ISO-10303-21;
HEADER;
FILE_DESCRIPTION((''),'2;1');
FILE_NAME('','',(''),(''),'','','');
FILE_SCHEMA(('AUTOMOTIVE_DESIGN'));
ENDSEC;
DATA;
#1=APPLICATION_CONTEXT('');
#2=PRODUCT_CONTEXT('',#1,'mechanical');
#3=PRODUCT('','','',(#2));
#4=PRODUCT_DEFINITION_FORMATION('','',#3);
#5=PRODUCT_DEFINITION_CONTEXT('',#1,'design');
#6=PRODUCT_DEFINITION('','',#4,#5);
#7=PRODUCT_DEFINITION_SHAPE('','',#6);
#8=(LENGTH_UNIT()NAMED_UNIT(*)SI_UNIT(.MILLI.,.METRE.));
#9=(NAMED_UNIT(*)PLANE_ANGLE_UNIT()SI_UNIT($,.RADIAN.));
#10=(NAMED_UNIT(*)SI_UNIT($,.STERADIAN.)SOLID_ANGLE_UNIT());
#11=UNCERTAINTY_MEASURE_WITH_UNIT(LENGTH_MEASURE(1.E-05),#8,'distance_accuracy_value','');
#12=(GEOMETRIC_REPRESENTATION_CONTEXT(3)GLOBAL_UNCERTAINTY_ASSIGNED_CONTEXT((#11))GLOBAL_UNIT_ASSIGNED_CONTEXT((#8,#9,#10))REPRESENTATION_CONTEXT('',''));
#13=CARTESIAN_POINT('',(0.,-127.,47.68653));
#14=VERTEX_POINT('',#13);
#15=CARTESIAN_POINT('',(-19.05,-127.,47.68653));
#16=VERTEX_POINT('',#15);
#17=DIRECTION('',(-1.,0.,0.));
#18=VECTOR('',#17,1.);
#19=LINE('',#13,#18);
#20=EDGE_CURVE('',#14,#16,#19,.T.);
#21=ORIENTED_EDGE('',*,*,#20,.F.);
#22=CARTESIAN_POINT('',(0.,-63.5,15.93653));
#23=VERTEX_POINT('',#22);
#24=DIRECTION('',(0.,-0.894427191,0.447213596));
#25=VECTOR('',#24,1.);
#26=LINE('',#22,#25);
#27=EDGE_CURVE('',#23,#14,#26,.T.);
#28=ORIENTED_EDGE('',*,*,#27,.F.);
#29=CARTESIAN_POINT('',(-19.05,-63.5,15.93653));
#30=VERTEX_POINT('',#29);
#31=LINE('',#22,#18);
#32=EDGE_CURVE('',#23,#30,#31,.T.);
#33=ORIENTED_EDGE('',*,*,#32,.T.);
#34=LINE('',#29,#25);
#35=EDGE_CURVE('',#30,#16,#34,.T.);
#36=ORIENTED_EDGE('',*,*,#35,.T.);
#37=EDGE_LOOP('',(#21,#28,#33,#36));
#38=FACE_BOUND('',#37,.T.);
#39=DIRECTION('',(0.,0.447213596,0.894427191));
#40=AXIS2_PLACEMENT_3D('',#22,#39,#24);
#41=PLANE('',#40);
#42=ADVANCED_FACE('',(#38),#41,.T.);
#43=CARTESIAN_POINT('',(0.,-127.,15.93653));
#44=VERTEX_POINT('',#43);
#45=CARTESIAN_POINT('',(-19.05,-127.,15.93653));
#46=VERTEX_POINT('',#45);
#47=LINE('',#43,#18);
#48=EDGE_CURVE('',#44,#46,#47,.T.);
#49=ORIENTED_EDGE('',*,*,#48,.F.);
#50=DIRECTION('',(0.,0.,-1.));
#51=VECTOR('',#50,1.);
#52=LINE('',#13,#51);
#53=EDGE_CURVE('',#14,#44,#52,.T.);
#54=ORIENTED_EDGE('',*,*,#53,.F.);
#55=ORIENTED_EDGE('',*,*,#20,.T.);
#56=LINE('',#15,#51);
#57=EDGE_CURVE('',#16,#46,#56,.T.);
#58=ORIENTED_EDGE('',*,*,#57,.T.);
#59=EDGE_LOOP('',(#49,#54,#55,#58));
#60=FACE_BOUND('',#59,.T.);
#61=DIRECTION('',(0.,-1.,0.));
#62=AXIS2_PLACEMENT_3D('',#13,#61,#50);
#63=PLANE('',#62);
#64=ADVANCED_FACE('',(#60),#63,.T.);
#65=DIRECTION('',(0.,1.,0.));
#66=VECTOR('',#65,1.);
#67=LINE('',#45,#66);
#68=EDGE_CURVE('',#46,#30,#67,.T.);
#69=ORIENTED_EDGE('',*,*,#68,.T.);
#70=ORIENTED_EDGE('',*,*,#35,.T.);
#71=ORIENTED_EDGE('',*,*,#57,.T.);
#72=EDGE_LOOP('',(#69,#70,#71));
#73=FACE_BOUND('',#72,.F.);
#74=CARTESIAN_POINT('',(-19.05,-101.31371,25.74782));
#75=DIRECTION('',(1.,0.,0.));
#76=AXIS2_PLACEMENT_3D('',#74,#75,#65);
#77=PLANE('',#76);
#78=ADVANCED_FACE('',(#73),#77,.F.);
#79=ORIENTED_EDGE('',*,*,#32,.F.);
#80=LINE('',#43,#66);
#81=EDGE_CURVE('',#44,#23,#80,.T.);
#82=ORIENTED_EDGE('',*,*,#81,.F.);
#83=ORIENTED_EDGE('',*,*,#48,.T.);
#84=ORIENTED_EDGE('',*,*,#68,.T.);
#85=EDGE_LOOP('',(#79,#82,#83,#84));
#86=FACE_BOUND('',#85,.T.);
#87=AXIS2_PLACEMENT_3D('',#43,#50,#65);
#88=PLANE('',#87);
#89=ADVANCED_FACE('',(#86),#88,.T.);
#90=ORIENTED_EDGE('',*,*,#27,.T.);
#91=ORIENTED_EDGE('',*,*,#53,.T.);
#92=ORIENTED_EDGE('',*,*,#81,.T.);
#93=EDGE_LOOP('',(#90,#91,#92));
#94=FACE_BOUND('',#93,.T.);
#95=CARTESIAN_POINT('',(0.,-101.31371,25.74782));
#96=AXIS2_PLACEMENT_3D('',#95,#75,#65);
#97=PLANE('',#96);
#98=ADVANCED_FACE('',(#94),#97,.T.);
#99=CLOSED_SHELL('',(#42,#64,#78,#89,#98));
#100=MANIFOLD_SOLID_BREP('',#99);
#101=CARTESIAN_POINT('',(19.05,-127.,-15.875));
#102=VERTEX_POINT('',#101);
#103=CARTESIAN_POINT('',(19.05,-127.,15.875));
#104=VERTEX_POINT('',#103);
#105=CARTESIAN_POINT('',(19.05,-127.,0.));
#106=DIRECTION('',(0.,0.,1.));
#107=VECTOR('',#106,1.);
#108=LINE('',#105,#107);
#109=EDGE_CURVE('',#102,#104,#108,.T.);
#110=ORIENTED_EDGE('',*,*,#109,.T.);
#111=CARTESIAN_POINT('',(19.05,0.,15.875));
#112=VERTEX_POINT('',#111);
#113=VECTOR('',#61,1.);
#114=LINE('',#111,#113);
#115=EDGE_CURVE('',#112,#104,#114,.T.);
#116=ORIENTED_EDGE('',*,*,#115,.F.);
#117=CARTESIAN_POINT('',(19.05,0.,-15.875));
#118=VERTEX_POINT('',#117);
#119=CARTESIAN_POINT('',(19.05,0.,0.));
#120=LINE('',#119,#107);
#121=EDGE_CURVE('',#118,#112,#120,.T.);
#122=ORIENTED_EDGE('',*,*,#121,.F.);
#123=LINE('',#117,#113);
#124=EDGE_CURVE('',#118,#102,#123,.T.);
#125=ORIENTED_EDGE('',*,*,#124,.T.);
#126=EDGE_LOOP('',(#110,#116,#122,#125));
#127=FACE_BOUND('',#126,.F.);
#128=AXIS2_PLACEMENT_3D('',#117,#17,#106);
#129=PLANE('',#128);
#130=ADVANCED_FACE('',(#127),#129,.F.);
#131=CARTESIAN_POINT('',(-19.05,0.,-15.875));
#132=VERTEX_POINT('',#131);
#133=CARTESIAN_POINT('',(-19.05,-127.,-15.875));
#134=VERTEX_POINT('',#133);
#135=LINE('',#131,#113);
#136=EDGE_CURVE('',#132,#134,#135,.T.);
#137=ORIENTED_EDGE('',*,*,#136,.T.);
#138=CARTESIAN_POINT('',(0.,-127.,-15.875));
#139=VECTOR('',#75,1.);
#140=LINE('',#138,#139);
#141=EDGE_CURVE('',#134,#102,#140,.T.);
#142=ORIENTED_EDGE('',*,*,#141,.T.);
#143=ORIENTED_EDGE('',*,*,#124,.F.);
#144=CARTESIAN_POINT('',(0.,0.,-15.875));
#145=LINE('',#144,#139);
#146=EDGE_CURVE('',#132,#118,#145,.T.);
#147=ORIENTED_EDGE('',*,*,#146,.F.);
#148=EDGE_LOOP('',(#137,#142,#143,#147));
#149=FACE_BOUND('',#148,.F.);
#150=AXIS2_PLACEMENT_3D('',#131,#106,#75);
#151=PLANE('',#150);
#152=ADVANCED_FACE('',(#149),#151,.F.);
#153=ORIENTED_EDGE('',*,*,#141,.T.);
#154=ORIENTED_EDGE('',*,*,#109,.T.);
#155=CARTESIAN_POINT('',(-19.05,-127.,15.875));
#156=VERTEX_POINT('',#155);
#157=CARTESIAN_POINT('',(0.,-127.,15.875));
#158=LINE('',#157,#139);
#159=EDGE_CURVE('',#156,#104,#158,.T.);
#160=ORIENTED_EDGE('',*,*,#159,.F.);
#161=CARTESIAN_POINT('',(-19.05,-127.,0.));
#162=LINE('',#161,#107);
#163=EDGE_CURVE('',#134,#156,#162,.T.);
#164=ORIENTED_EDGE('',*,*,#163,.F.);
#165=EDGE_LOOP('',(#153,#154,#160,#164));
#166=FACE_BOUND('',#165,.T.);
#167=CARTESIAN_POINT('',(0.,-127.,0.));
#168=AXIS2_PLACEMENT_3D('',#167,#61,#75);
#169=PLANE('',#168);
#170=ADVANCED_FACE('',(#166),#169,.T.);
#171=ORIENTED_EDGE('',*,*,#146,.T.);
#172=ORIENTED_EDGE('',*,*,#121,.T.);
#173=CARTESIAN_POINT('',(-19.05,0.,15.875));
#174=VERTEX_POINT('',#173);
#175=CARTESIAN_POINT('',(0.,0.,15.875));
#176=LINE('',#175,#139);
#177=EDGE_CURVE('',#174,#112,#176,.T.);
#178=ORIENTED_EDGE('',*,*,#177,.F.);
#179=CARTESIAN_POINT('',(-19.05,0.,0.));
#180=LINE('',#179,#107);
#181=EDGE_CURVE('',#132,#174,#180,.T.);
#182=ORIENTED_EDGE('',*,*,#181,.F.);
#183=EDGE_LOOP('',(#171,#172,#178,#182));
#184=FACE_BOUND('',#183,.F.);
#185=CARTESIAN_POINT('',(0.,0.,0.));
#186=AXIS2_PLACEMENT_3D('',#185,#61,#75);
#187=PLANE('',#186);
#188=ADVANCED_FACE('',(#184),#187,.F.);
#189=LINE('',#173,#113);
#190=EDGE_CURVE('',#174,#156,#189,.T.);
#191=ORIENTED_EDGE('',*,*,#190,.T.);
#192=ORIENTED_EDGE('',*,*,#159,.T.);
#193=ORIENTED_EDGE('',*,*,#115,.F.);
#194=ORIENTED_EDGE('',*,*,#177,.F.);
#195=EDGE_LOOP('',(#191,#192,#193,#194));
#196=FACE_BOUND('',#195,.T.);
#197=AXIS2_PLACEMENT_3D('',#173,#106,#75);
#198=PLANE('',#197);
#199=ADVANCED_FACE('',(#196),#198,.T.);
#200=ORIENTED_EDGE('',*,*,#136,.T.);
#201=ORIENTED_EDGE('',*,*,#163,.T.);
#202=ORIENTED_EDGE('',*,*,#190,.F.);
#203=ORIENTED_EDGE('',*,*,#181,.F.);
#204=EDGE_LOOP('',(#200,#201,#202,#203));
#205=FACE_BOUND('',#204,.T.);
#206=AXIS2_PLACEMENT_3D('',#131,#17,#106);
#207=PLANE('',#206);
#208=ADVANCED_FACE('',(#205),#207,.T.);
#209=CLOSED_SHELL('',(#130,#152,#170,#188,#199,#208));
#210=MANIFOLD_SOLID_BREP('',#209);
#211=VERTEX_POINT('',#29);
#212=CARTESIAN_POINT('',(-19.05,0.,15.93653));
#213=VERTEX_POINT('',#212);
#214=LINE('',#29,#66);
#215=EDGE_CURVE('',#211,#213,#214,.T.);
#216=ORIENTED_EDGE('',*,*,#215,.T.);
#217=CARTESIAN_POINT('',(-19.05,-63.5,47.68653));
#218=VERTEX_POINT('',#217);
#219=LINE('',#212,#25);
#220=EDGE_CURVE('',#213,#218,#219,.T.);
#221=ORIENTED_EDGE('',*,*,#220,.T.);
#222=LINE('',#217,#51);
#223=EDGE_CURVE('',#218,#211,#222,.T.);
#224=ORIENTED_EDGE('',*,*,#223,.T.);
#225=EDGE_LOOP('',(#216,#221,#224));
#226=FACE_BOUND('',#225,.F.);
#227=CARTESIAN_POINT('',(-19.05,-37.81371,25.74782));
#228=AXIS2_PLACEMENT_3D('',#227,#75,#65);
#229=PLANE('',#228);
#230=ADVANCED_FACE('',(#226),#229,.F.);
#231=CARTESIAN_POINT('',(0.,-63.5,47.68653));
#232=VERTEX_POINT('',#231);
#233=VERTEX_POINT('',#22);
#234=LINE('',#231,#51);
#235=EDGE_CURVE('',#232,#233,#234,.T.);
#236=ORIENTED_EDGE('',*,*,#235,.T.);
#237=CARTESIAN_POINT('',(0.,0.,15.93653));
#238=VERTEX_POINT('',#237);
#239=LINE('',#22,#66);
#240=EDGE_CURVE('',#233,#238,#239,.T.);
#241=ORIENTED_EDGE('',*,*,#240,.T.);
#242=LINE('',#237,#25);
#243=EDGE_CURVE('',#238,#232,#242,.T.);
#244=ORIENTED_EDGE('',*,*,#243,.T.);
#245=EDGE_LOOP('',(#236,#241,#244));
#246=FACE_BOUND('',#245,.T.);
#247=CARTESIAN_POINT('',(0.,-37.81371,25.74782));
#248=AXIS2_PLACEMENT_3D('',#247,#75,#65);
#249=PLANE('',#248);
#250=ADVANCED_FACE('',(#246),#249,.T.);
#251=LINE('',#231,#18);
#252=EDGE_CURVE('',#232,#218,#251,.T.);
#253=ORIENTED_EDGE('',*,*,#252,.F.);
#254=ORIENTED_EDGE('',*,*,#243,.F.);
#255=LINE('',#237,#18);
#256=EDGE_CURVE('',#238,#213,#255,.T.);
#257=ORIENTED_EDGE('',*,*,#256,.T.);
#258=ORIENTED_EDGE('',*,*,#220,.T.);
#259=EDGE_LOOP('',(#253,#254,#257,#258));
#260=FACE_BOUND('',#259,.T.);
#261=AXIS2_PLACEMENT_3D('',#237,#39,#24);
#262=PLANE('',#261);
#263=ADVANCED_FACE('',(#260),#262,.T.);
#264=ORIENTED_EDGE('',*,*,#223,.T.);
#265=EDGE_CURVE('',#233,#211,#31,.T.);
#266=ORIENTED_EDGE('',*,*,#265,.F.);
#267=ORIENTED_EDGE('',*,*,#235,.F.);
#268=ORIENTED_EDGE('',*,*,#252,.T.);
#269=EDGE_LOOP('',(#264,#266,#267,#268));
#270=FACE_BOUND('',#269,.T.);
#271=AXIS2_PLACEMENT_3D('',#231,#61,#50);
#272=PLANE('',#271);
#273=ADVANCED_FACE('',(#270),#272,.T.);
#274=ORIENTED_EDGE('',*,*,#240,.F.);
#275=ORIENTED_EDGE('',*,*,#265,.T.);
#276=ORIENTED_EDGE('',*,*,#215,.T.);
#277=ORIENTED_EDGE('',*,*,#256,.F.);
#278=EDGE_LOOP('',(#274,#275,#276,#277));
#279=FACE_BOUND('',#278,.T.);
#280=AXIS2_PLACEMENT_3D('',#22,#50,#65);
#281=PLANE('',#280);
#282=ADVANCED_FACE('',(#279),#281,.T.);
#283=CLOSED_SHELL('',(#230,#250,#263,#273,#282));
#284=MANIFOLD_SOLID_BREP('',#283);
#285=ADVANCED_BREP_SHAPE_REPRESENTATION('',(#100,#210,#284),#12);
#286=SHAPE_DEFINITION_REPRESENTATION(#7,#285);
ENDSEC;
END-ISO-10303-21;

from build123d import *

# Parameters (mm, degrees)
F0_W     = 38.1
F0_H     = 31.75
F1_DEPTH = 127
F3_DEPTH = 19.05


with BuildPart() as f1:
    # F0 (on Front) → F1 (new body)
    with BuildSketch(Plane.XZ):
        Rectangle(F0_W, F0_H)
    extrude(amount=F1_DEPTH)


with BuildPart() as f3:
    # F2 (on Right) → F3 (new body)
    with BuildSketch(Plane.YZ):
        Polygon((-63.5, 15.93653), (0, 15.93653), (-63.5, 47.68653), align=None)
        Polygon((-127, 15.93653), (-63.5, 15.93653), (-127, 47.68653), align=None)
    extrude(amount=-F3_DEPTH)


solid = Compound([f1.part, f3.part])
